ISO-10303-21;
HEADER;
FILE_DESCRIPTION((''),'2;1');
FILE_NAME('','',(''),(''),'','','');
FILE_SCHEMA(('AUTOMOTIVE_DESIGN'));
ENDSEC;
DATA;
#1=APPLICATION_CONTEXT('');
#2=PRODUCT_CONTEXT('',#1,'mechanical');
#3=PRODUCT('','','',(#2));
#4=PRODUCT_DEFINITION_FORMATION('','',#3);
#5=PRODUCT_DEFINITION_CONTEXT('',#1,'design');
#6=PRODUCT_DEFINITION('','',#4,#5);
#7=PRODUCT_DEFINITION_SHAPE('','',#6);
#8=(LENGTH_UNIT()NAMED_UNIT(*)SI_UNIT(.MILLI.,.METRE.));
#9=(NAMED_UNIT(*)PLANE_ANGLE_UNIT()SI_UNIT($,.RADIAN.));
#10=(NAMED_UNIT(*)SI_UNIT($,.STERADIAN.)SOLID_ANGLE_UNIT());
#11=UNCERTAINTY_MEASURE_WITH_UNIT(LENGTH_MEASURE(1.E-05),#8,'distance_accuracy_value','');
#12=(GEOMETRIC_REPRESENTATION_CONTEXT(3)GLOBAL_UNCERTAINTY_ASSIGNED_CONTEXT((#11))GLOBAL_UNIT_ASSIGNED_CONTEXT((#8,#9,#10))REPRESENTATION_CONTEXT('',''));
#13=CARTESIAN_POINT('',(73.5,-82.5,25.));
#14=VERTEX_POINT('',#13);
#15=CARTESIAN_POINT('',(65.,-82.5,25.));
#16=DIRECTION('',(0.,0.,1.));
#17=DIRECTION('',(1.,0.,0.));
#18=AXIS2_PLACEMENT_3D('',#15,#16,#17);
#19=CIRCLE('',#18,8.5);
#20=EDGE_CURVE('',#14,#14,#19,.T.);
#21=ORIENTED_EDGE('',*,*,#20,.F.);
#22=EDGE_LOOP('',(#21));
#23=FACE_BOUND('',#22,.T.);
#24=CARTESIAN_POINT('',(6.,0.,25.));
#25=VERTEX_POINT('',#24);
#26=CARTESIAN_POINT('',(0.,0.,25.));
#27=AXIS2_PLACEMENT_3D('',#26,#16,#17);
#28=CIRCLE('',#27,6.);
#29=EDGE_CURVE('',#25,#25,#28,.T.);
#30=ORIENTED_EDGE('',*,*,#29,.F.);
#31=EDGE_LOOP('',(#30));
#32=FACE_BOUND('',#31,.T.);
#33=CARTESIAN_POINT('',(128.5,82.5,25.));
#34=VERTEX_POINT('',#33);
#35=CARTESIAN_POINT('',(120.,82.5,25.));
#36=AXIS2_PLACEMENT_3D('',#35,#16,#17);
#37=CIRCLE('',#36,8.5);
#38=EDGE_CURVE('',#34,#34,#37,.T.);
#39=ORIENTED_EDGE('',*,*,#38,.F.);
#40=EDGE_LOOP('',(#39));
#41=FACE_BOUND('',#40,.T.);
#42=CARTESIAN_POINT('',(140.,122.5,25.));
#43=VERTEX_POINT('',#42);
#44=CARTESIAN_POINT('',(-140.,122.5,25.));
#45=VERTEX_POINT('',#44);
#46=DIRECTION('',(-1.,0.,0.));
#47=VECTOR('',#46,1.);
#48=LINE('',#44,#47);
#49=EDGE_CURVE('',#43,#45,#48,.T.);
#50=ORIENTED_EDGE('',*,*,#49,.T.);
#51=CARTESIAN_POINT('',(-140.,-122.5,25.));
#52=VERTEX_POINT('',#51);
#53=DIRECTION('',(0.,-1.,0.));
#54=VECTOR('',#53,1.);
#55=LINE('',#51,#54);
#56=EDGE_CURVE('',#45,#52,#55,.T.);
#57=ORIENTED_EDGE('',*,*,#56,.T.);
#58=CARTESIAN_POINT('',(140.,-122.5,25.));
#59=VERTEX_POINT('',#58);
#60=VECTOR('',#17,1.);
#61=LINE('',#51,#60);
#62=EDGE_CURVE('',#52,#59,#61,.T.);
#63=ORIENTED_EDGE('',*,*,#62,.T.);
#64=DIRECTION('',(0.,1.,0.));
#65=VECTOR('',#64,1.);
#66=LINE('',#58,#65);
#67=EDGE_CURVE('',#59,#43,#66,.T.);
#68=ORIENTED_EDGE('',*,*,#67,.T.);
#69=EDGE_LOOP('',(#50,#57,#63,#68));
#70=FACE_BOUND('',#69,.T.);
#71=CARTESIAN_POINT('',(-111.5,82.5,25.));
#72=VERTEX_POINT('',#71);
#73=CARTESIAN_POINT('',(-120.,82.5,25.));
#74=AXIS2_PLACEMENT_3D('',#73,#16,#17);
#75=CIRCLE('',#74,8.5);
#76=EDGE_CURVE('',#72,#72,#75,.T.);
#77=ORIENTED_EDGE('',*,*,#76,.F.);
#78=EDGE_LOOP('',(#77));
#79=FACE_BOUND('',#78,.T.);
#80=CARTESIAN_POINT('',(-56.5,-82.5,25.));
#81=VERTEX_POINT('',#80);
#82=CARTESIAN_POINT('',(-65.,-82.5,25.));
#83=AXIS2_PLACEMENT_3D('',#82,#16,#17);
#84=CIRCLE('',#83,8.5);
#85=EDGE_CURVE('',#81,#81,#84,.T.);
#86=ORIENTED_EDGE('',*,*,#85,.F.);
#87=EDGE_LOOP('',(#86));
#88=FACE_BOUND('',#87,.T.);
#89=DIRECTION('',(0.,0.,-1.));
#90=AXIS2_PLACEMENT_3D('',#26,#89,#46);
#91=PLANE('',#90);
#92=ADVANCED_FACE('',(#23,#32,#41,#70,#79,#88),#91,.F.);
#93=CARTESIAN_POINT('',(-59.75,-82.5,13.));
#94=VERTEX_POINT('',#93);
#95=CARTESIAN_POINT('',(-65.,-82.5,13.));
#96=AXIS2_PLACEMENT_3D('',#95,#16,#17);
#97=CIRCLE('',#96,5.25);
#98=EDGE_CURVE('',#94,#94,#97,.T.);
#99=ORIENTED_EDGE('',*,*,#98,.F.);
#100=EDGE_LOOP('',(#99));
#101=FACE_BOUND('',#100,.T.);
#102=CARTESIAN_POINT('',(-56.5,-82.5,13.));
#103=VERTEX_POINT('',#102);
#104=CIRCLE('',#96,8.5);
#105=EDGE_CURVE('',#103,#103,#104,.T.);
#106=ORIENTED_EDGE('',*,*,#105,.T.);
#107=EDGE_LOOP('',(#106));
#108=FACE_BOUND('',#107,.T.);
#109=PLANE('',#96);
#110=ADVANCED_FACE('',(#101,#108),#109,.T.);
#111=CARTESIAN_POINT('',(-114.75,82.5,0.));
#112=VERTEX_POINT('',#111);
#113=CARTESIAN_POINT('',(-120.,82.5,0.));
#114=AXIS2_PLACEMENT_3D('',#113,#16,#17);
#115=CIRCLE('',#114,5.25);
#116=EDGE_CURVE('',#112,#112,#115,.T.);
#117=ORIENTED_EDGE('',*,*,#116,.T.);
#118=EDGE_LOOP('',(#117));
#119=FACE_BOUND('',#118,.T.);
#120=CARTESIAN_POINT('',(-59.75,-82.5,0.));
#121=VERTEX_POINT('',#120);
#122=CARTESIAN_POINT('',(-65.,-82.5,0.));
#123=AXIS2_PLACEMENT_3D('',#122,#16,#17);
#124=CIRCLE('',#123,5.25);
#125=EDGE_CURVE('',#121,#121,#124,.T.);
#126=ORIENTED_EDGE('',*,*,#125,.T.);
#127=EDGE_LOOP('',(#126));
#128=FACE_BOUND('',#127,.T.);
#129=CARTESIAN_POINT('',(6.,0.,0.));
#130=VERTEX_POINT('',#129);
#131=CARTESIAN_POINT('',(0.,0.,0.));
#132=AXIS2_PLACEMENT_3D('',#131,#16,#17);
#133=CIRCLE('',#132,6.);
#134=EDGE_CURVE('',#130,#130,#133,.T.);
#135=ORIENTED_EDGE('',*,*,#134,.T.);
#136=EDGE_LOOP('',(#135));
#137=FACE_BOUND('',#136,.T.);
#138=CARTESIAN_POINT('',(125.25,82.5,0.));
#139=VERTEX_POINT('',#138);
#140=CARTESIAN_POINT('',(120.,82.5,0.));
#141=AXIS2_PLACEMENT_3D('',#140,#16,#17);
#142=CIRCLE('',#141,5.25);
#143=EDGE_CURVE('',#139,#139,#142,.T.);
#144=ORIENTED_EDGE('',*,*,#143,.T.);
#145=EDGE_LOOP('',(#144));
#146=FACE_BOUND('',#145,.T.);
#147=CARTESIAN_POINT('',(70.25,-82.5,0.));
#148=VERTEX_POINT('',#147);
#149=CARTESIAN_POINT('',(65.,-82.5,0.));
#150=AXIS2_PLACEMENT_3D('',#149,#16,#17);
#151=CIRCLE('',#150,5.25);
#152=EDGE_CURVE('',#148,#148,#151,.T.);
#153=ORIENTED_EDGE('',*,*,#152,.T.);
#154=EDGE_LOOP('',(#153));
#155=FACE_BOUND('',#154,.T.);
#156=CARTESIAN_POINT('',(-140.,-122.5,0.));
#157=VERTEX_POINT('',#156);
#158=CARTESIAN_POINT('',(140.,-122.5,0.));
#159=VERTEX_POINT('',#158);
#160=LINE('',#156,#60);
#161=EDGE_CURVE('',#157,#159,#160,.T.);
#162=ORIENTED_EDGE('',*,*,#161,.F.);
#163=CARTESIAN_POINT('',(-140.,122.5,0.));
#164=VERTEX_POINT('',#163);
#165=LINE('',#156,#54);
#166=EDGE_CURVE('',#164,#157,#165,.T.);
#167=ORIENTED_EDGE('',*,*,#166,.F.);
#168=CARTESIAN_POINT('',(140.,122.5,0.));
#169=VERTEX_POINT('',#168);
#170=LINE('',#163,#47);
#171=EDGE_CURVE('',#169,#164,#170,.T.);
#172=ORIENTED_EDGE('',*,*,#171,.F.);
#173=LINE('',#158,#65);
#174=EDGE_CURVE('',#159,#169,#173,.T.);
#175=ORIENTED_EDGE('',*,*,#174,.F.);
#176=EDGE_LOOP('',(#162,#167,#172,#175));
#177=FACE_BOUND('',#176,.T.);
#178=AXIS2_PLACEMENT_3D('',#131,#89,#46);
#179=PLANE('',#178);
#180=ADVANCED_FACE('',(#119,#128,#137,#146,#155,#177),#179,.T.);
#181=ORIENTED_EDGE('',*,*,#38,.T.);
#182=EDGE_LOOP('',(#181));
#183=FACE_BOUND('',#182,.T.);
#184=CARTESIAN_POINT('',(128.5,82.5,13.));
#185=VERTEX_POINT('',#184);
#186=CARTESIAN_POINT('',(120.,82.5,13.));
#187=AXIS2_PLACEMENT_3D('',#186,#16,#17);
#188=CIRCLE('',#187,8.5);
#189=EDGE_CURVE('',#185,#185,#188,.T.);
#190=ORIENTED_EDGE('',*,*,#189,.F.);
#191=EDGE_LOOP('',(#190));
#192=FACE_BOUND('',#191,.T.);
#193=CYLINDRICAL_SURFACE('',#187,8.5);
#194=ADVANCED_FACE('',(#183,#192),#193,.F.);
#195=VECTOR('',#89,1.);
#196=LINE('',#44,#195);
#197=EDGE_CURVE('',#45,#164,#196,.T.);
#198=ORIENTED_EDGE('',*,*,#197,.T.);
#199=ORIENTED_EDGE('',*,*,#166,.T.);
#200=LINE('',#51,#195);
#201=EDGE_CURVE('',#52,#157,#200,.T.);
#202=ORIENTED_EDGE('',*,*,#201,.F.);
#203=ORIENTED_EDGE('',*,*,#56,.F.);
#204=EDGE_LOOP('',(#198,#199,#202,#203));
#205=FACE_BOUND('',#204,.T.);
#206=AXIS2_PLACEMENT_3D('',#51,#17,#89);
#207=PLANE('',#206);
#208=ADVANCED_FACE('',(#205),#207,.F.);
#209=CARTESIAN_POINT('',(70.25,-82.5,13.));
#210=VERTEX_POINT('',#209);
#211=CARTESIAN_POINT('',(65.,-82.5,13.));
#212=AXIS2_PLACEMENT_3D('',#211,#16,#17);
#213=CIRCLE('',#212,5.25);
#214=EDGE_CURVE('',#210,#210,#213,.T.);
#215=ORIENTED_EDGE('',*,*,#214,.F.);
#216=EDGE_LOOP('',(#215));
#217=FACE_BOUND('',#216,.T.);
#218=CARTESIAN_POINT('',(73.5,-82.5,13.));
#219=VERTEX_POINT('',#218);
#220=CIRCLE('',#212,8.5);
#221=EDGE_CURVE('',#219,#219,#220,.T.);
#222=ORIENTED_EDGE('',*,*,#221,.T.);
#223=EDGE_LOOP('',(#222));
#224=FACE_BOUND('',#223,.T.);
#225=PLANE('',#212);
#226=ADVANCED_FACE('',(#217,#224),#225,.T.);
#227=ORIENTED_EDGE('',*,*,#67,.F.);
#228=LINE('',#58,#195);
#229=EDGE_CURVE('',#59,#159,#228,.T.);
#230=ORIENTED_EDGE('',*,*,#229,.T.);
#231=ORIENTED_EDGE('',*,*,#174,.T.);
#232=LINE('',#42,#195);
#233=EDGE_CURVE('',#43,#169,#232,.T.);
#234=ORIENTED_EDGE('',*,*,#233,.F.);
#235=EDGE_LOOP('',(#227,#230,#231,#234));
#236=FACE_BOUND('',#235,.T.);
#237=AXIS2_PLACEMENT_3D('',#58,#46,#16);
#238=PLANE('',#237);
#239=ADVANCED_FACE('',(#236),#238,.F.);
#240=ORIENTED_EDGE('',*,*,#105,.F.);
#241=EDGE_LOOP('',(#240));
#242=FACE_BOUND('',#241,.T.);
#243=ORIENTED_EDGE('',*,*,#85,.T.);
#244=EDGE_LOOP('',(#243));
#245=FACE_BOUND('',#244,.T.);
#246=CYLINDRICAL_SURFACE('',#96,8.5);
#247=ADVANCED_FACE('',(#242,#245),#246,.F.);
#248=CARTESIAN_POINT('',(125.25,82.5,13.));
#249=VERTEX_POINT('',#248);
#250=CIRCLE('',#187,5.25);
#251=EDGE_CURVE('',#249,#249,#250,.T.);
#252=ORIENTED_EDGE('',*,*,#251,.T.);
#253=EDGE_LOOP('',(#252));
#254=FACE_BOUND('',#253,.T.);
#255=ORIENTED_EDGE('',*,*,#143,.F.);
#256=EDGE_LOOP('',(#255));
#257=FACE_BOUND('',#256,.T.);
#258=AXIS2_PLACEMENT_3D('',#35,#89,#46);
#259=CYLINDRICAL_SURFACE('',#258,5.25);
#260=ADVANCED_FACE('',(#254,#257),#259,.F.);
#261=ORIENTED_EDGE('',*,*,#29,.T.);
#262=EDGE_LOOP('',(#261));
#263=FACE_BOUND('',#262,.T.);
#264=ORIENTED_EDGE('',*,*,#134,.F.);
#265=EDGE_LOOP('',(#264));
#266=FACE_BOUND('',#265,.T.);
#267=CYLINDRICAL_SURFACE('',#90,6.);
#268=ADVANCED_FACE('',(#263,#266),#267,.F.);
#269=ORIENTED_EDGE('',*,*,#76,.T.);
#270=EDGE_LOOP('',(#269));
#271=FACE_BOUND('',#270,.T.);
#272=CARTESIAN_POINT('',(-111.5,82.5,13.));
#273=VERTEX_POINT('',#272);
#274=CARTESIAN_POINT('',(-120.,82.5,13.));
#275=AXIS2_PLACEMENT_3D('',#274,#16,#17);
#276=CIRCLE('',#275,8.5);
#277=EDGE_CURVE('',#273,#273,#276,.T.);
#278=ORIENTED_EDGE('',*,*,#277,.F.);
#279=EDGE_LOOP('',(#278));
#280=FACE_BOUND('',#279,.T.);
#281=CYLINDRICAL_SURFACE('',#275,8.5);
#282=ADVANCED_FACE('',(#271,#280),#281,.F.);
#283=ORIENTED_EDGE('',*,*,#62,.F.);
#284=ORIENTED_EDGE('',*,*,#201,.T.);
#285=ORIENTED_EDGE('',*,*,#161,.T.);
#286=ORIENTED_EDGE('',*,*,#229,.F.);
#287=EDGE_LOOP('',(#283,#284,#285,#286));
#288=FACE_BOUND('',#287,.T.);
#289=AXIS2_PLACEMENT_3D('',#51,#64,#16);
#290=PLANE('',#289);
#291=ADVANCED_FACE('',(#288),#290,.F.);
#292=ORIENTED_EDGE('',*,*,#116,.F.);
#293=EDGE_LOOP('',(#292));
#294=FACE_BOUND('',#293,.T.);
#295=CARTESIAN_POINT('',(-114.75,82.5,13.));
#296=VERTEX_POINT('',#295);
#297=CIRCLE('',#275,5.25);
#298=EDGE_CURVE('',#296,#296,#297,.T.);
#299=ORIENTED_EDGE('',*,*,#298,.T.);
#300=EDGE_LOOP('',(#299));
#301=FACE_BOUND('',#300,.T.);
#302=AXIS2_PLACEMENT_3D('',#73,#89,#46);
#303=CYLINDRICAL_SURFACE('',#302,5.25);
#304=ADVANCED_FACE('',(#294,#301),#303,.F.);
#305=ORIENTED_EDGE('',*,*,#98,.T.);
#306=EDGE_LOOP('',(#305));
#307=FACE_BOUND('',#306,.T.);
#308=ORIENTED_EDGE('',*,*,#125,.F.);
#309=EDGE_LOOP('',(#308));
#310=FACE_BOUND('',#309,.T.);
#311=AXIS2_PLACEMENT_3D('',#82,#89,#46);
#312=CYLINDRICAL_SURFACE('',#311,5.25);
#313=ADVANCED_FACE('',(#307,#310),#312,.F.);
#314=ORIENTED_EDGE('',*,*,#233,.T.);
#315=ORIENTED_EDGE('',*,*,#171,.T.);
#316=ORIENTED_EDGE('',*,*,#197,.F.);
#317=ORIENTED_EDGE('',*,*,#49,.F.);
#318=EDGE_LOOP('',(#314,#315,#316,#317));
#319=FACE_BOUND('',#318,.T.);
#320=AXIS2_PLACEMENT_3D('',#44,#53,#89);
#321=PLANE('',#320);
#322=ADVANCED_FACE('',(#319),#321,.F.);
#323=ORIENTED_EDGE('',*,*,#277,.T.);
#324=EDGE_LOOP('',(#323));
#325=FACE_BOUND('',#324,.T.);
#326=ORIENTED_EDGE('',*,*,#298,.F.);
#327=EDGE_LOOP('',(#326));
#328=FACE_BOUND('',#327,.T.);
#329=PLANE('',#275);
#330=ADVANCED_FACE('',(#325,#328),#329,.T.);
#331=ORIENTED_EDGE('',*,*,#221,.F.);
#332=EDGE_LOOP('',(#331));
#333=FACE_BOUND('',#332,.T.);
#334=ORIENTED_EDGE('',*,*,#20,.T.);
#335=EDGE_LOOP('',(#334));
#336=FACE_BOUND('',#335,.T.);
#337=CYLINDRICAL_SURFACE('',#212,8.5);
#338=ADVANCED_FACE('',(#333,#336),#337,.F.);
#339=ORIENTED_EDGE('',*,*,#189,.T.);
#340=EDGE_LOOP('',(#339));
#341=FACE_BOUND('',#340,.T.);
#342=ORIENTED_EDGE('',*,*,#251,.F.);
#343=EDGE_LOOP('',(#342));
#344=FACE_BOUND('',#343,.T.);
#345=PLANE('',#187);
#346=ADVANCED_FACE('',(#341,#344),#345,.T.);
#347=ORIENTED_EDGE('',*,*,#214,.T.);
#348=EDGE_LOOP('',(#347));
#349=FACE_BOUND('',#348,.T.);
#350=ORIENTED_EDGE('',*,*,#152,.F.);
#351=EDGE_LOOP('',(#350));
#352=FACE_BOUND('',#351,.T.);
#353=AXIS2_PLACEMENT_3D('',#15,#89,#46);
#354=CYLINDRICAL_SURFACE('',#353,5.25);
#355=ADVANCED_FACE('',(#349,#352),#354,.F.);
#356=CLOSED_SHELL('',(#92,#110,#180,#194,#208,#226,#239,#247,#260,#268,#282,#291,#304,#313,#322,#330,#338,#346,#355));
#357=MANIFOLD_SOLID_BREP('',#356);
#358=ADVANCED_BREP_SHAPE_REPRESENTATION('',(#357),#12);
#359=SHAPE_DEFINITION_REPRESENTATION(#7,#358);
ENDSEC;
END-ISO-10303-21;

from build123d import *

# Parameters (mm, degrees)
SKETCH1_W           = 280
SKETCH1_H           = 245
SKETCH1_R           = 5.25
SKETCH1_R_2         = 6
BOSS_EXTRUDE1_DEPTH = 25
SKETCH2_R           = 8.5
CUT_EXTRUDE1_DEPTH  = 12


with BuildPart() as part:
    # Sketch1 → Boss-Extrude1 (new body)
    with BuildSketch(Plane.XY):
        Rectangle(SKETCH1_W, SKETCH1_H)
        with Locations((-120, 82.5)):
            Circle(SKETCH1_R, mode=Mode.SUBTRACT)
        with Locations((120, 82.5)):
            Circle(SKETCH1_R, mode=Mode.SUBTRACT)
        with Locations((-65, -82.5)):
            Circle(SKETCH1_R, mode=Mode.SUBTRACT)
        with Locations((65, -82.5)):
            Circle(SKETCH1_R, mode=Mode.SUBTRACT)
        Circle(SKETCH1_R_2, mode=Mode.SUBTRACT)
    extrude(amount=BOSS_EXTRUDE1_DEPTH)

    # Sketch2 → Cut-Extrude1 (cut)
    with BuildSketch(Plane.XY.offset(25)):
        with Locations((-120, 82.5)):
            Circle(SKETCH2_R)
        with Locations((120, 82.5)):
            Circle(SKETCH2_R)
        with Locations((65, -82.5)):
            Circle(SKETCH2_R)
        with Locations((-65, -82.5)):
            Circle(SKETCH2_R)
    extrude(amount=-CUT_EXTRUDE1_DEPTH, mode=Mode.SUBTRACT)


solid = part.part
